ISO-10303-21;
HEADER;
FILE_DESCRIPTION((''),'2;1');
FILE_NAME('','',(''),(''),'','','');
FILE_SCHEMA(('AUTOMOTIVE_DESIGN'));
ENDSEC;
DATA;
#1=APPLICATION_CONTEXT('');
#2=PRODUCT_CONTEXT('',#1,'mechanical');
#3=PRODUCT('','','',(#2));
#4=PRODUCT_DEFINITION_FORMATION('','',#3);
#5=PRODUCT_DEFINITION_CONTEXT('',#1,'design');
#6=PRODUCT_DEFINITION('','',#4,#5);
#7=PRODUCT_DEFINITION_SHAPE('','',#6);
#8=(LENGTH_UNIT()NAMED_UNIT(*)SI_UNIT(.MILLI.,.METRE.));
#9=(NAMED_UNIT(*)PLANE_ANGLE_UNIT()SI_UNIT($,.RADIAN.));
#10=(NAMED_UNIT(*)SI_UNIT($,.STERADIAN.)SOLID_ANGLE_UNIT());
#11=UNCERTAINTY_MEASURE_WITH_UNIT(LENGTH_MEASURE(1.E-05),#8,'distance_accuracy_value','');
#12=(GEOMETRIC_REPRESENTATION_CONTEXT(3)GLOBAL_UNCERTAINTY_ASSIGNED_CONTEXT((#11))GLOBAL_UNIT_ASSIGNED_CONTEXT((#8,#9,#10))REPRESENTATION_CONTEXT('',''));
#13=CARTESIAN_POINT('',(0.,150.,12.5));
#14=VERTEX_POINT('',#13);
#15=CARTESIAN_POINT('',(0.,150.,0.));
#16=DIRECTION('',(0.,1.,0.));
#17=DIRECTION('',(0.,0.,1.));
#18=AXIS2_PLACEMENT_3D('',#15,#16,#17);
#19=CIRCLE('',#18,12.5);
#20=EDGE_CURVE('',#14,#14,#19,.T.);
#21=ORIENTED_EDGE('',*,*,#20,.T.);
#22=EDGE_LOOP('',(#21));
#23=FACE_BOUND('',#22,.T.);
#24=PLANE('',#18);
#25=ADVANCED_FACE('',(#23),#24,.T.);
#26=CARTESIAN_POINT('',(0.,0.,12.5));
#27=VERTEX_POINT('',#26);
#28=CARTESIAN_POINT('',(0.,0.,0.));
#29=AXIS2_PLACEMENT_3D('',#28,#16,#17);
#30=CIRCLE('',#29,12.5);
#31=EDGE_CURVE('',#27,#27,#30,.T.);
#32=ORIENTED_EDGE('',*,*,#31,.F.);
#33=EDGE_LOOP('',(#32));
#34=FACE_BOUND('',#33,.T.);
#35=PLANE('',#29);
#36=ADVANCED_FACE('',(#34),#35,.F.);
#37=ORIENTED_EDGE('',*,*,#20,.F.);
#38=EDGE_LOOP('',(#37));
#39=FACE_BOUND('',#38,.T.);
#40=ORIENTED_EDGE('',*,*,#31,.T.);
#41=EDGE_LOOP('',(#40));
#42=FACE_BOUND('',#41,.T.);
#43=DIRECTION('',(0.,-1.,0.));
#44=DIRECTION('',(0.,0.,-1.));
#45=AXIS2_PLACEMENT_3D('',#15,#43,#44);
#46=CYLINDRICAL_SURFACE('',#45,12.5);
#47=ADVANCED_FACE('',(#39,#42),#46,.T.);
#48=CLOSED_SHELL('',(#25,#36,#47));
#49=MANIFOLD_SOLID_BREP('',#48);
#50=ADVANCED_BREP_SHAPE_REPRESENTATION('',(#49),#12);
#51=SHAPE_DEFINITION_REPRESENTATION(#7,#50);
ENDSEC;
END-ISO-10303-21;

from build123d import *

# Parameters (mm, degrees)
SKETCH1_R           = 12.5
BOSS_EXTRUDE1_DEPTH = 150


with BuildPart() as part:
    # Sketch1 → Boss-Extrude1 (new body)
    with BuildSketch(Plane(origin=(0, 0, 0), x_dir=(1, 0, 0), z_dir=(0, 1, 0))):
        Circle(SKETCH1_R)
    extrude(amount=BOSS_EXTRUDE1_DEPTH)


solid = part.part
